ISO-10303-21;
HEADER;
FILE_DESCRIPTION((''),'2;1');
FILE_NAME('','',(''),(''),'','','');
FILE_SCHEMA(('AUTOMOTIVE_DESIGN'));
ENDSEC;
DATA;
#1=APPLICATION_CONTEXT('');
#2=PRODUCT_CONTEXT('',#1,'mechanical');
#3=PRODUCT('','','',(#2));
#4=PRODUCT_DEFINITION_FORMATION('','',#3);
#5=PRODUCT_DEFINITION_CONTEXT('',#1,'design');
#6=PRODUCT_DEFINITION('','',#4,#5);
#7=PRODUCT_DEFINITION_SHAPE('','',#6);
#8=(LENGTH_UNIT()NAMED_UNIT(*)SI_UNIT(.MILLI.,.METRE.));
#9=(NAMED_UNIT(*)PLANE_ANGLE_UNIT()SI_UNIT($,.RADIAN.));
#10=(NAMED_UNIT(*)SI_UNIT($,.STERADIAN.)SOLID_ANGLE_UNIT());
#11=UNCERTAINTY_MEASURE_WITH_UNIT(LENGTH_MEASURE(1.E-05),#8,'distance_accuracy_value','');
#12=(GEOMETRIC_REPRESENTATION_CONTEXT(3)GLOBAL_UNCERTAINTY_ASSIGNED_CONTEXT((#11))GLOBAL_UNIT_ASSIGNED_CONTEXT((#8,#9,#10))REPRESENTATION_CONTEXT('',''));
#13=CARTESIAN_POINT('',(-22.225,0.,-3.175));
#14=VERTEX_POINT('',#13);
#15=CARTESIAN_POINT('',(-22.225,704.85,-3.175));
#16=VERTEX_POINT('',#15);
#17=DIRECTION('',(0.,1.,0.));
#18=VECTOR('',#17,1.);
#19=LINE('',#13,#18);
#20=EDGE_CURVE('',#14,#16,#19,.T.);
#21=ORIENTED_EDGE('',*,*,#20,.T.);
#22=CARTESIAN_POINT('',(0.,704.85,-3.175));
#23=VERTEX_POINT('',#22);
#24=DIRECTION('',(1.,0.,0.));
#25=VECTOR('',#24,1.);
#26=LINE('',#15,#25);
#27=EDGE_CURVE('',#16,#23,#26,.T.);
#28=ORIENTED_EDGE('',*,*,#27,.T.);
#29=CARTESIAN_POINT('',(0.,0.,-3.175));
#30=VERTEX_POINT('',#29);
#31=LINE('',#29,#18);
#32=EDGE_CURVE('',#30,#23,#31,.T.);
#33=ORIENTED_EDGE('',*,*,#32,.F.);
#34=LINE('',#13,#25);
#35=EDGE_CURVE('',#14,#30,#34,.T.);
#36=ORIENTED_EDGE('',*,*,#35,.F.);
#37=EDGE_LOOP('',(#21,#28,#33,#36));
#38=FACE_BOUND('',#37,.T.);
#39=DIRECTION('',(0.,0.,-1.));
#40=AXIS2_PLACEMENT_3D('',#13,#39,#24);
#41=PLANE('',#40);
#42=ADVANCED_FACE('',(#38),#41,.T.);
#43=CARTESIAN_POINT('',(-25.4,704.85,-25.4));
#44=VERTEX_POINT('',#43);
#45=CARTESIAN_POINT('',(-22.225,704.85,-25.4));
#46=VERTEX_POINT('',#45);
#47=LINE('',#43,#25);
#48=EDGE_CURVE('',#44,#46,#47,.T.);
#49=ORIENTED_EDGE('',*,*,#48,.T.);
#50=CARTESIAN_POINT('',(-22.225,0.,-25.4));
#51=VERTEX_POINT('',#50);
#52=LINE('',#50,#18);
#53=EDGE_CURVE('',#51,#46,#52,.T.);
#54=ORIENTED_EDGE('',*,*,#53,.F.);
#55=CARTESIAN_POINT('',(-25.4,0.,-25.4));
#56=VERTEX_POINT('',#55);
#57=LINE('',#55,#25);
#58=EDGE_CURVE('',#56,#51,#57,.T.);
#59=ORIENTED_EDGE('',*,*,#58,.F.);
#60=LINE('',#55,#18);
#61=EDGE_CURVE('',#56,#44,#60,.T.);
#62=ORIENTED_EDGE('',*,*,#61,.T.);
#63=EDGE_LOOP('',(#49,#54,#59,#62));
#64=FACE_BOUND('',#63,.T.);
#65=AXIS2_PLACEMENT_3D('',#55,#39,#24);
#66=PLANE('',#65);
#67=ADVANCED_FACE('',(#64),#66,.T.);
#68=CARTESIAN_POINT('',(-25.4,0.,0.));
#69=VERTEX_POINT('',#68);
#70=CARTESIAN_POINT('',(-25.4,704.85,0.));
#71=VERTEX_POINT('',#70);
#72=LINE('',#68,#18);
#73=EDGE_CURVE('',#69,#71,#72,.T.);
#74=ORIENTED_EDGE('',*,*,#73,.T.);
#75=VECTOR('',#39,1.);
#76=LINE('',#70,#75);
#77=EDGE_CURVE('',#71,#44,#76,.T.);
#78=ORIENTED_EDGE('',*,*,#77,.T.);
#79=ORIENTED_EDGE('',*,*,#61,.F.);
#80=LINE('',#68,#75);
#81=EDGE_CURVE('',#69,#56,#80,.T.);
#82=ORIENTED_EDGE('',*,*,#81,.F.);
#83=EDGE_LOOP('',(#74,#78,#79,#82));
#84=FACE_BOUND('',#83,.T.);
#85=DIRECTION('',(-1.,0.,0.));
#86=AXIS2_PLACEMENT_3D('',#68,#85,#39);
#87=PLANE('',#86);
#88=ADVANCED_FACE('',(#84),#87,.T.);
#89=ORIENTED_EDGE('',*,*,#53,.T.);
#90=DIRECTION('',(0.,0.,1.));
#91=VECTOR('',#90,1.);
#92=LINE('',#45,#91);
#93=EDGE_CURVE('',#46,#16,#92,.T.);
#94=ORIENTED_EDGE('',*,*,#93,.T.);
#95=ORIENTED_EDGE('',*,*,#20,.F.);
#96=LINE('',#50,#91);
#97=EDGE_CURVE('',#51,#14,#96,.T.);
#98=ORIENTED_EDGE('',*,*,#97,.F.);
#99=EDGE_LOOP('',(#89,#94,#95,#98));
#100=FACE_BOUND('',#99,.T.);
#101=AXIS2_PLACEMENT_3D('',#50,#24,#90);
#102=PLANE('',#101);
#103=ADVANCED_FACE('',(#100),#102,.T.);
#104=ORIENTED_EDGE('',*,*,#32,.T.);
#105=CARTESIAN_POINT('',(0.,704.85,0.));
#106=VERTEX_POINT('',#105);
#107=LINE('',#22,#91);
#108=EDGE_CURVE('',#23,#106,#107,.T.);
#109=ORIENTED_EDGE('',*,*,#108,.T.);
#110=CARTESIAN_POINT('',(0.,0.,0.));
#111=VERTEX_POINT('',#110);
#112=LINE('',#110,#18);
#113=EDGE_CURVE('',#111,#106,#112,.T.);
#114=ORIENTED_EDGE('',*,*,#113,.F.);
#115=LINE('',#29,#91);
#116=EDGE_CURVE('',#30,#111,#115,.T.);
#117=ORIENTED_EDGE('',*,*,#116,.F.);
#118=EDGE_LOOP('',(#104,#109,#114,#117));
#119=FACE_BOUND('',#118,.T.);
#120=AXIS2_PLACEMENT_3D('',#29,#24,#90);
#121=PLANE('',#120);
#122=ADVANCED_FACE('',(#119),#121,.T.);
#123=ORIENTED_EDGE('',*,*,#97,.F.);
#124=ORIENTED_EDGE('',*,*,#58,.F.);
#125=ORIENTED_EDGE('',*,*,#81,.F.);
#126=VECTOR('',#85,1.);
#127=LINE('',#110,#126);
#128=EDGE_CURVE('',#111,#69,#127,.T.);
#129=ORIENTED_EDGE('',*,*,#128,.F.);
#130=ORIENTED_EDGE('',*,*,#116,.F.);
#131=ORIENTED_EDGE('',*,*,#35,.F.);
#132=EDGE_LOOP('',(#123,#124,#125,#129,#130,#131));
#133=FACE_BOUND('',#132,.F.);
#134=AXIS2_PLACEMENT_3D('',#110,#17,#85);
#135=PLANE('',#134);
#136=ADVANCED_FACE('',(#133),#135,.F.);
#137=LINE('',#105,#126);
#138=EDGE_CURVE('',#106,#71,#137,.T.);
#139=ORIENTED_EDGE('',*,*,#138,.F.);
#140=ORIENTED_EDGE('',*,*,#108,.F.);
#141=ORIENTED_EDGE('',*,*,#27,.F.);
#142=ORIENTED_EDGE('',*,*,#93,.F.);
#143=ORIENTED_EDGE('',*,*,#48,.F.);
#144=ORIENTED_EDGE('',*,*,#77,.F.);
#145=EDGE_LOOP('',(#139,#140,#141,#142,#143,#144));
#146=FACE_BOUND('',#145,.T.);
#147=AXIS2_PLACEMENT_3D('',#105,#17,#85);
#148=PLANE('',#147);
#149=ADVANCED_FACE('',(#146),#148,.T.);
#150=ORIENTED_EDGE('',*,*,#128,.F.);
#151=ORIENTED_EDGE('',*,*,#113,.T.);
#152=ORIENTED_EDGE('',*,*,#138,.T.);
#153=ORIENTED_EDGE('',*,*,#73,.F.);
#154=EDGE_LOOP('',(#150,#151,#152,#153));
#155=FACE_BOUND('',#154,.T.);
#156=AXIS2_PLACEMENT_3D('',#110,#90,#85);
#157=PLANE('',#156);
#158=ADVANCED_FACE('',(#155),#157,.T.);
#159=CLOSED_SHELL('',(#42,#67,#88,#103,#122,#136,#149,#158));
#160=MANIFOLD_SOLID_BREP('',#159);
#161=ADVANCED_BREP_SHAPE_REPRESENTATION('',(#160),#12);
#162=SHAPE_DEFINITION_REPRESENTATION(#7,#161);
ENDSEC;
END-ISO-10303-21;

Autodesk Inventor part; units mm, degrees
ref_plane "YZ Plane" through (0, 0, 0) normal (1, 0, 0) x (0, 1, 0)
ref_plane "XZ Plane" through (0, 0, 0) normal (0, 1, 0) x (-1, 0, 0)
ref_plane "XY Plane" through (0, 0, 0) normal (0, 0, 1) x (1, 0, 0)
sketch "Sketch1" plane through (0, 0, 0) normal (0, 1, 0) x (-1, 0, 0)
  line L0 (0, 0) -> (25.4, 0)
  line L1 (25.4, 0) -> (25.4, -25.4)
  line L2 (25.4, -25.4) -> (22.225, -25.4)
  line L3 (22.225, -25.4) -> (22.225, -3.175)
  line L4 (22.225, -3.175) -> (0, -3.175)
  line L5 (0, -3.175) -> (0, 0)
  dimension "d0" = 25.4
  dimension "d2" = 25.4
  dimension "d3" = 3.175
  dimension "d4" = 22.225
  dimension "d5" = 22.225
extrude "Extrusion1" add sketch "Sketch1" along normal blind 704.85
properties part number "Brace Back Horizontal"
